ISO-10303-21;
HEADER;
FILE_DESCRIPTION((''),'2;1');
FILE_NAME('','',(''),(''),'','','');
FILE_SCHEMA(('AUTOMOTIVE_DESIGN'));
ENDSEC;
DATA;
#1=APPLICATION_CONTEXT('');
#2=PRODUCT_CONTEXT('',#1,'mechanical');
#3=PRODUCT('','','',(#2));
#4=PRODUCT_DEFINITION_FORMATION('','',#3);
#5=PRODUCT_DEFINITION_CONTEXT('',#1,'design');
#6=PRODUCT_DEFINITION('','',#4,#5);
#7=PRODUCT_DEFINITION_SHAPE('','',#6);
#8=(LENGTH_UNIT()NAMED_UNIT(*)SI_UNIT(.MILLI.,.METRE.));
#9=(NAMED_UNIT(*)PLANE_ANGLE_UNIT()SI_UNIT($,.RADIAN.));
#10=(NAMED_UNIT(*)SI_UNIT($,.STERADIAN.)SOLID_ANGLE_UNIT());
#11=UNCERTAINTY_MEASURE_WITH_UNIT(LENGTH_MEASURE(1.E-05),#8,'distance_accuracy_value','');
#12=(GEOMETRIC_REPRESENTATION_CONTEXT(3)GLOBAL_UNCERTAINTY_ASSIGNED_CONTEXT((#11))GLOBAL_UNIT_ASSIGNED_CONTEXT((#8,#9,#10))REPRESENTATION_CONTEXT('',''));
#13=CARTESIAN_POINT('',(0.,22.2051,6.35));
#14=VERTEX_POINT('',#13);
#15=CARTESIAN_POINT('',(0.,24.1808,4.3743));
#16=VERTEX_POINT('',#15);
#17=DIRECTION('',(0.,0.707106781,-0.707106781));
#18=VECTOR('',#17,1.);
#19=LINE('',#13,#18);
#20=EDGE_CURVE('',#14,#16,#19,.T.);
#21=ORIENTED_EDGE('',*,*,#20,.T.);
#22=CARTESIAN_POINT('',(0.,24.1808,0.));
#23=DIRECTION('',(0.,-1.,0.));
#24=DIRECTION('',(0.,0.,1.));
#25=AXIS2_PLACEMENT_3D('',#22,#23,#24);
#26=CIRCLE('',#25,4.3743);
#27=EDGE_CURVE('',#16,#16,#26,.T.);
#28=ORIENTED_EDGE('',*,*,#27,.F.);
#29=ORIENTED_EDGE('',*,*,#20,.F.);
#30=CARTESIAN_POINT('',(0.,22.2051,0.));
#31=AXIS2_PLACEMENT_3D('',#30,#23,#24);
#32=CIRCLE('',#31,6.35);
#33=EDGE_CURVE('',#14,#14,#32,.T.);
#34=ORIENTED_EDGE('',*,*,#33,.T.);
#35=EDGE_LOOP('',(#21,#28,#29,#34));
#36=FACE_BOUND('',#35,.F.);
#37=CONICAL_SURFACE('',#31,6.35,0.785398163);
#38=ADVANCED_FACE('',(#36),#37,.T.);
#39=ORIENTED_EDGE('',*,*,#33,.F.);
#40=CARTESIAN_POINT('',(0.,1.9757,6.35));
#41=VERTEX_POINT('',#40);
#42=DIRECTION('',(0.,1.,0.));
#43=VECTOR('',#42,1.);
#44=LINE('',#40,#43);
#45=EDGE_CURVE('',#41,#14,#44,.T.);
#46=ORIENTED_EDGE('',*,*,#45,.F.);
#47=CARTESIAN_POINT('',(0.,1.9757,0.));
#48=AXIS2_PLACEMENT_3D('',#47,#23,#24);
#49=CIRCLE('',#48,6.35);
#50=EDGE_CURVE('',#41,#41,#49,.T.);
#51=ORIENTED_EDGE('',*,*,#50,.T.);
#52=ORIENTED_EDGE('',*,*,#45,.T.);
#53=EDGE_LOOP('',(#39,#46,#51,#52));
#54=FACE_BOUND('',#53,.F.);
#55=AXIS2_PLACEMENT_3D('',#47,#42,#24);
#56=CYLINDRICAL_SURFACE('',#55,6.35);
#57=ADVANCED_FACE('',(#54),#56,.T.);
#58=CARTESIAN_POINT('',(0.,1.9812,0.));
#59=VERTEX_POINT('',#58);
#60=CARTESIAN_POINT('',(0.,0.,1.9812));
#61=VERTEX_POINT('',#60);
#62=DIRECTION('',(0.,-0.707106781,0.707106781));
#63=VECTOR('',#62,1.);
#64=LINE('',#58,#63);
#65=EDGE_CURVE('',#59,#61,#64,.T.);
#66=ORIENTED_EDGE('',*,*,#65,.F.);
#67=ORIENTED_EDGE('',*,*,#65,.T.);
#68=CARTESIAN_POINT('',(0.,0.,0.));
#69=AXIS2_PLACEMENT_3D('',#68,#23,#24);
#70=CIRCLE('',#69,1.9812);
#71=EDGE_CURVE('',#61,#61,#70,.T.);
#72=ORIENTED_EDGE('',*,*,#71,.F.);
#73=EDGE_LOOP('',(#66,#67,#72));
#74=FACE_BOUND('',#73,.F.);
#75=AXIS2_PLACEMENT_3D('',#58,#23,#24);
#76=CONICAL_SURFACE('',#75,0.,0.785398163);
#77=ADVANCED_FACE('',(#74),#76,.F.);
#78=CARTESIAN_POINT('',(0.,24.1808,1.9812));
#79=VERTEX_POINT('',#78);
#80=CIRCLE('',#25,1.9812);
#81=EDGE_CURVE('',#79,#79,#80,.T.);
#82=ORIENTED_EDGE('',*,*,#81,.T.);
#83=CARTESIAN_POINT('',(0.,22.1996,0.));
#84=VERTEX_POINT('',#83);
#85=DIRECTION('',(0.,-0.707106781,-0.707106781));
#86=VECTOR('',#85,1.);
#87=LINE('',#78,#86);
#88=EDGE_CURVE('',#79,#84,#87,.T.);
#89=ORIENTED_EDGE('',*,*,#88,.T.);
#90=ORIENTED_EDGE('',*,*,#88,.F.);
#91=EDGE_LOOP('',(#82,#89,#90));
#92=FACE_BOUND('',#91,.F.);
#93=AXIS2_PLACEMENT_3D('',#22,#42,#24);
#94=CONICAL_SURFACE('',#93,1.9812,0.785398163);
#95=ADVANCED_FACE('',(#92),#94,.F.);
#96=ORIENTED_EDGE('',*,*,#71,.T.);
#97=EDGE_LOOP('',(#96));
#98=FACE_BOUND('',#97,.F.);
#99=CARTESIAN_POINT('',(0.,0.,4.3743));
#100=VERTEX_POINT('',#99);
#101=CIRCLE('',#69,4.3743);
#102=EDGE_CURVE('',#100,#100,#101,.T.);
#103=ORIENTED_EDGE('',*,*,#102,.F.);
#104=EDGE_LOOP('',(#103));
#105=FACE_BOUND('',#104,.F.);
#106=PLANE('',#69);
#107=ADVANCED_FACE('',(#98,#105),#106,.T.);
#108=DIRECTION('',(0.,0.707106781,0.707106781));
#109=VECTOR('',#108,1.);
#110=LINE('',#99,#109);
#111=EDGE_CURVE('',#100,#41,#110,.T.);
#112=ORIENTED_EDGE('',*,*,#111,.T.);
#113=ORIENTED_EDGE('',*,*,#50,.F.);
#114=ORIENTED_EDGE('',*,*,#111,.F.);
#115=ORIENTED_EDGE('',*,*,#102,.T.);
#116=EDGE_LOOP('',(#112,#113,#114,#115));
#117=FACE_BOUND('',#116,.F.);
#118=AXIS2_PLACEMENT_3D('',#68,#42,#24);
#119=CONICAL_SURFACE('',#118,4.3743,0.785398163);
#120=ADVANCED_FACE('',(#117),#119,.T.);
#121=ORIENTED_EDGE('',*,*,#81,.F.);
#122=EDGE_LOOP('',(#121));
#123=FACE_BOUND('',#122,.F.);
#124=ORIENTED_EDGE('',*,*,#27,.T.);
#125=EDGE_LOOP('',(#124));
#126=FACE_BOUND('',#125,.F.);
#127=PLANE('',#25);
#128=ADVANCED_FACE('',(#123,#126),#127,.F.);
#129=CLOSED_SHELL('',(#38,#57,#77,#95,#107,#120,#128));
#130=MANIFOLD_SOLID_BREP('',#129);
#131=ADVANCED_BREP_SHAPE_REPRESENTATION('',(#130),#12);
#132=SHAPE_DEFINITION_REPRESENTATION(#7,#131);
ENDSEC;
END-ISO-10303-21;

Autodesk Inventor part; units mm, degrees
ref_plane "YZ Plane" through (0, 0, 0) normal (1, 0, 0) x (0, 1, 0)
ref_plane "XZ Plane" through (0, 0, 0) normal (0, 1, 0) x (-1, 0, 0)
ref_plane "XY Plane" through (0, 0, 0) normal (0, 0, 1) x (1, 0, 0)
sketch "Sketch1" plane through (0, 0, 0) normal (1, 0, 0) x (0, 1, 0)
  line L0 (1.9812, 0) -> (0, 1.9812)
  line L1 (0, 1.9812) -> (0, 4.3743)
  line L2 (0, 4.3743) -> (1.9757, 6.35)
  line L3 (1.9757, 6.35) -> (22.2051, 6.35)
  line L4 (22.2051, 6.35) -> (24.1808, 4.3743)
  line L5 (24.1808, 4.3743) -> (24.1808, 1.9812)
  line L6 (24.1808, 1.9812) -> (22.1996, 0)
  line L7 (22.1996, 0) -> (1.9812, 0)
  point P0 (0, 0)
  dimension "d0" = 6.35
  dimension "d1" = 2.794
  dimension "d2" = 1.9812
  dimension "d3" = 135
  dimension "d4" = 24.1808
revolve "Revolution1" add sketch "Sketch1" angle 360 about axis through (0, 22.1996, 0) along (0, -1, 0)
properties part number "Cate2inchMecanumRoller"
